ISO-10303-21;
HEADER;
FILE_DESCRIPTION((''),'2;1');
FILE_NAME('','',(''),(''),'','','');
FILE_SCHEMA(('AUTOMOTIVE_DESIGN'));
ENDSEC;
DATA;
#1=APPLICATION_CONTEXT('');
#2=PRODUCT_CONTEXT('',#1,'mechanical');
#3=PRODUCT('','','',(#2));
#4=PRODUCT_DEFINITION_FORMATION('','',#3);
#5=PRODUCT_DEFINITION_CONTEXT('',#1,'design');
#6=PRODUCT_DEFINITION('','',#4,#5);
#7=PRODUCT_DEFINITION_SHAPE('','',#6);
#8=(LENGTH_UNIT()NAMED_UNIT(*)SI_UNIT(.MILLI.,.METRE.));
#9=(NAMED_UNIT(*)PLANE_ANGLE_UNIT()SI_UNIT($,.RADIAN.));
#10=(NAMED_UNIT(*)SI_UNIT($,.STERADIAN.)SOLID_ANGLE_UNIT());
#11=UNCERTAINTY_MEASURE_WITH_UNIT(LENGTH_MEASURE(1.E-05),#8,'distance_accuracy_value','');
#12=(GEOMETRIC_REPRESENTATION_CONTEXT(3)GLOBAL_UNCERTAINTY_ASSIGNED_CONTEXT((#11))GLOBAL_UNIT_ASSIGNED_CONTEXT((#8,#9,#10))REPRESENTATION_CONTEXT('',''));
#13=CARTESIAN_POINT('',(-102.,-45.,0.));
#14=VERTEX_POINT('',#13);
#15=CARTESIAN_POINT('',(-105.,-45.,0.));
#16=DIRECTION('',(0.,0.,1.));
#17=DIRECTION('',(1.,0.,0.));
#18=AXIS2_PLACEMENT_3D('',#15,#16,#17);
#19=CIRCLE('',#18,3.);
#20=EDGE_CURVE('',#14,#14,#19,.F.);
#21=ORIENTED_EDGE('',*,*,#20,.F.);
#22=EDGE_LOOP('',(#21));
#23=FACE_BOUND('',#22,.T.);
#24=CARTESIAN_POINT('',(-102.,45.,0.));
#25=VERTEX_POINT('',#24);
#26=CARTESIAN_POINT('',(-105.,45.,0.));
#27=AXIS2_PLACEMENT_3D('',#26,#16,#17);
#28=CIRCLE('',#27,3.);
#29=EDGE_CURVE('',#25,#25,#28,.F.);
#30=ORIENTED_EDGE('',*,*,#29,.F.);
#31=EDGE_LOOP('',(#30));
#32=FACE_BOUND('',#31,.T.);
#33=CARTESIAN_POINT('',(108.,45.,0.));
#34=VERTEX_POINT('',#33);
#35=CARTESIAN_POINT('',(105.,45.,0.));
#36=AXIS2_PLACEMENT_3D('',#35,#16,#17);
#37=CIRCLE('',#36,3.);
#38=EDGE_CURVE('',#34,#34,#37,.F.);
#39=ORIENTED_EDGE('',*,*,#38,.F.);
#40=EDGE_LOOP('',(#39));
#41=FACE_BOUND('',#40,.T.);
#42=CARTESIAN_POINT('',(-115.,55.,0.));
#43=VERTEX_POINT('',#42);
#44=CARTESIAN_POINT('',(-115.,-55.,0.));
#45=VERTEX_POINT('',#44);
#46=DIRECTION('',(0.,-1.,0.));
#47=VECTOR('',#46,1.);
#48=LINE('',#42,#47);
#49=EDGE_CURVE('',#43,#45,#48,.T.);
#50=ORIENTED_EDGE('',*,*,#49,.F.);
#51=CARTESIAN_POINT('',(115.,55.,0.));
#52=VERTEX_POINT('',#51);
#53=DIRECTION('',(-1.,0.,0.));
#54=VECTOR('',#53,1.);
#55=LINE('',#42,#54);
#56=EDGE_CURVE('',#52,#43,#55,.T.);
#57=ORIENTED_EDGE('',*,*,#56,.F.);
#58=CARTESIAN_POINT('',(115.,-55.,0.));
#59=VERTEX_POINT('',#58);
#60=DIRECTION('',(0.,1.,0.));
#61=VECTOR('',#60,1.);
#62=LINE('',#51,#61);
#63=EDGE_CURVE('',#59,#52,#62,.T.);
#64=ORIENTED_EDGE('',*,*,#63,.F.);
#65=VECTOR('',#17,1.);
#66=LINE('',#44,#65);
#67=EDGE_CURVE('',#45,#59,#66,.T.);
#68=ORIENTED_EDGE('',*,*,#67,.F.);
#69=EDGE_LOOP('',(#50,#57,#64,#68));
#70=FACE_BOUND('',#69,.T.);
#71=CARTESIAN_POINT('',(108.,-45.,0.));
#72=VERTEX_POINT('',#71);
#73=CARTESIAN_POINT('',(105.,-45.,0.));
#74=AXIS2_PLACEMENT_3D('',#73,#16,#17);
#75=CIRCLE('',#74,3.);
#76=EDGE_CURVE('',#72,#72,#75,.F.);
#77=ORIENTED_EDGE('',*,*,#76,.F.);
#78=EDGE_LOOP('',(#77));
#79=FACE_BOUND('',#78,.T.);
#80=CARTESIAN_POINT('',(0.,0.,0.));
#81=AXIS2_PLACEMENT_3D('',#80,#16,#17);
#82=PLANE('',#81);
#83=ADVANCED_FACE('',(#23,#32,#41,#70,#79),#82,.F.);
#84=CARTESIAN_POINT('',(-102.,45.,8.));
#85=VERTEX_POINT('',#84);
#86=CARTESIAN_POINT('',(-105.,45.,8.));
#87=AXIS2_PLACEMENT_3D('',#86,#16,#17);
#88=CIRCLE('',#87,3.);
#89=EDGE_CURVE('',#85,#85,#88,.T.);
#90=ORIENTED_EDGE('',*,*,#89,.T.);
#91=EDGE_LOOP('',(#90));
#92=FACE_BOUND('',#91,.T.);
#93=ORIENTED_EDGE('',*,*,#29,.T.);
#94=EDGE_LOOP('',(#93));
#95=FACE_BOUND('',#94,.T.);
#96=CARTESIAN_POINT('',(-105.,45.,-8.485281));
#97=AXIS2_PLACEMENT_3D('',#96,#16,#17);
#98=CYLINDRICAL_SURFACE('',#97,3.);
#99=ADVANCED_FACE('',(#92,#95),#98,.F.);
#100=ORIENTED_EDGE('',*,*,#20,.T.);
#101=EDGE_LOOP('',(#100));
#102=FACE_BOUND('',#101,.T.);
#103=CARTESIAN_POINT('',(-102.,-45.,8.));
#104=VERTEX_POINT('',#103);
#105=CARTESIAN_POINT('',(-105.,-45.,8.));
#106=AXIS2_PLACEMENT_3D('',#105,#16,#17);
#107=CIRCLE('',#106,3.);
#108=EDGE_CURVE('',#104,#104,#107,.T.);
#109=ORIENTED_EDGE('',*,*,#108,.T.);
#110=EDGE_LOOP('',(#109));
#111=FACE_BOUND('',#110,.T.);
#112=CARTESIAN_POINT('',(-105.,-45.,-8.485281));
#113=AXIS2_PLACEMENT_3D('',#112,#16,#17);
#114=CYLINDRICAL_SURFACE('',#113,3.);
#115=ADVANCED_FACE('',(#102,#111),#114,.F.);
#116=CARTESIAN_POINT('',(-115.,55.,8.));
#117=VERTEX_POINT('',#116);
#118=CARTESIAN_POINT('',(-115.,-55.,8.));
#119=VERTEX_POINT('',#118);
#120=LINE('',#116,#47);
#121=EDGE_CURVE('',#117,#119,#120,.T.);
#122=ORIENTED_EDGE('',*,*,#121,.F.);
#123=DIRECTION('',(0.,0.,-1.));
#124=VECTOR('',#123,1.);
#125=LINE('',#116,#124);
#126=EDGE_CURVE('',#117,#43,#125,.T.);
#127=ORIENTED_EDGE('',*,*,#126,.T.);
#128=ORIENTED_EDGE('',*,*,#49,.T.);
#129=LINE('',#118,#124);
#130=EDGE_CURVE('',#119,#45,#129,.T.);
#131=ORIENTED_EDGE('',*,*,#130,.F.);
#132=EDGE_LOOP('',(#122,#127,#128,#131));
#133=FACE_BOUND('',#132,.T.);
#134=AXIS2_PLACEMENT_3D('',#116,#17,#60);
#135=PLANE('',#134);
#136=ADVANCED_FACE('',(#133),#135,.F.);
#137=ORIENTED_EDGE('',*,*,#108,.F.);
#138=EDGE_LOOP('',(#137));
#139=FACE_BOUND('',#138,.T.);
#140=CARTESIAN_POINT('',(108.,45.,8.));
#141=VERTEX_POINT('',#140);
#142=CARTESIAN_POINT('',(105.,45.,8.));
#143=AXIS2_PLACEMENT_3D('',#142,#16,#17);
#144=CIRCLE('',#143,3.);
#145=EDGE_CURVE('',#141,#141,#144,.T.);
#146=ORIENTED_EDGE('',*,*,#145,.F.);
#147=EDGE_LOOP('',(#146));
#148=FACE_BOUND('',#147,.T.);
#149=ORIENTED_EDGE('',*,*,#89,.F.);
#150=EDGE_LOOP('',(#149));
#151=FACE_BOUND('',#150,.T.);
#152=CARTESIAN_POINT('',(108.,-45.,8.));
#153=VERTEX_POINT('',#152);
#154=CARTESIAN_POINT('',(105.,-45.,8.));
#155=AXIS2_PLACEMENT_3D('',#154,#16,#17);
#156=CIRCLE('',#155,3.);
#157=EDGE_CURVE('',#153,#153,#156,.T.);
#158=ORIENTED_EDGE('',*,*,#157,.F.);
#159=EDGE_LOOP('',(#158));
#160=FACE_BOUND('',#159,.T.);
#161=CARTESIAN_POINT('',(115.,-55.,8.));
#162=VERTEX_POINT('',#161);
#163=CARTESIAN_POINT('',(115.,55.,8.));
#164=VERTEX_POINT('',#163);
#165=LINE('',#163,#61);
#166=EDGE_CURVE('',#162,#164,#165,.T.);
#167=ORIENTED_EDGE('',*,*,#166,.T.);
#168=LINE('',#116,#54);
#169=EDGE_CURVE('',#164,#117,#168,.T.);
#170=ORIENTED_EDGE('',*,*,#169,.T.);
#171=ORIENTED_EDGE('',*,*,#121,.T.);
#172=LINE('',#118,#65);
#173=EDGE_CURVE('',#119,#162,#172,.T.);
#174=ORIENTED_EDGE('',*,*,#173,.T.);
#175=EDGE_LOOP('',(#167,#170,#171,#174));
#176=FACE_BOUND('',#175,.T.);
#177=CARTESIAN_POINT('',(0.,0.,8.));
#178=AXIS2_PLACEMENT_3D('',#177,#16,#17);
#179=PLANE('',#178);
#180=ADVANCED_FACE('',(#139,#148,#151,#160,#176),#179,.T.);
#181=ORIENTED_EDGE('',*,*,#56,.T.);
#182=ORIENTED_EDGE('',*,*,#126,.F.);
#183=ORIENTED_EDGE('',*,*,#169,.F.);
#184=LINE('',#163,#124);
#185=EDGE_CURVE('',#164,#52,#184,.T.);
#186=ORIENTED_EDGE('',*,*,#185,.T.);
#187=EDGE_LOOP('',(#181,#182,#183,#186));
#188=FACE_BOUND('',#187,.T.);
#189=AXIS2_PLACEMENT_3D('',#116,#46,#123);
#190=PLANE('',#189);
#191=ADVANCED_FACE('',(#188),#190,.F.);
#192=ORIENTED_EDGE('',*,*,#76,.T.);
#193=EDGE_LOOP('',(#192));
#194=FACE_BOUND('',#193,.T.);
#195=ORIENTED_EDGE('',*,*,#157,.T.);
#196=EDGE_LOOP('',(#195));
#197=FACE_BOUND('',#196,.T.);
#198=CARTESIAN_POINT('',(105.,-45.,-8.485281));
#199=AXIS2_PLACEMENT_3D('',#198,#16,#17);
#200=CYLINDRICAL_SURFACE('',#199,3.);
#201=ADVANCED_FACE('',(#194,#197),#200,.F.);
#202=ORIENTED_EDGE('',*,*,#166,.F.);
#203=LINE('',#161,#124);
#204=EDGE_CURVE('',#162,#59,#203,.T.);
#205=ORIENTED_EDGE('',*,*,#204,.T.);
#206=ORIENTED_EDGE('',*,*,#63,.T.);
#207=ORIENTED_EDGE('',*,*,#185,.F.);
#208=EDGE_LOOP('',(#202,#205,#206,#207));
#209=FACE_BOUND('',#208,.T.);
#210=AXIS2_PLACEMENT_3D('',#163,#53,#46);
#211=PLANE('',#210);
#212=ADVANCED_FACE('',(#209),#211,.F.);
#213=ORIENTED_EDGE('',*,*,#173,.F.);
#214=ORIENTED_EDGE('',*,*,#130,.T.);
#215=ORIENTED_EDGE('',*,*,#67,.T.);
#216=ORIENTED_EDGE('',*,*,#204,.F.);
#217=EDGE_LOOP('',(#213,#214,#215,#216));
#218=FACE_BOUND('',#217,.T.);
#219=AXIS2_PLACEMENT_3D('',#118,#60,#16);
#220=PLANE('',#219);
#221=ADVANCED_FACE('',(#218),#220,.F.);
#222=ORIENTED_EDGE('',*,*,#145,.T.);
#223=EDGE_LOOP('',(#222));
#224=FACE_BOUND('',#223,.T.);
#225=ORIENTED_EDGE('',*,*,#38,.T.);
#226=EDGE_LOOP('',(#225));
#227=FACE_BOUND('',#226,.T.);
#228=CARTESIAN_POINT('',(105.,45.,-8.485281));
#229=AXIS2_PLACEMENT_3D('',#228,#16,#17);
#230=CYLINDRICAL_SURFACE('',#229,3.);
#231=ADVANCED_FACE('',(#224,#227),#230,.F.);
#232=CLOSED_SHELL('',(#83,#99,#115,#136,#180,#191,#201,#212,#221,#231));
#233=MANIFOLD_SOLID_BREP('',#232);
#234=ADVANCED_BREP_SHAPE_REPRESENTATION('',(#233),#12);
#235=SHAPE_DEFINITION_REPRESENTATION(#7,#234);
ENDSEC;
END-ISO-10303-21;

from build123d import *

# Parameters (mm, degrees)
SKETCH_1_W          = 230
SKETCH_1_H          = 110
EXTRUDE_2_DEPTH     = 8
SKETCH_2_R          = 3
CUT_EXTRUDE_1_DEPTH = 8


with BuildPart() as part:
    # 草图1 → 凸台-拉伸2 (new body)
    with BuildSketch(Plane.XY):
        Rectangle(SKETCH_1_W, SKETCH_1_H)
    extrude(amount=EXTRUDE_2_DEPTH)

    # 草图2 → 切除-拉伸1 (cut)
    with BuildSketch(Plane.XY.offset(8)):
        with Locations((-105, 45)):
            Circle(SKETCH_2_R)
        with Locations((-105, -45)):
            Circle(SKETCH_2_R)
        with Locations((105, -45)):
            Circle(SKETCH_2_R)
        with Locations((105, 45)):
            Circle(SKETCH_2_R)
    extrude(amount=-CUT_EXTRUDE_1_DEPTH, mode=Mode.SUBTRACT)


solid = part.part
